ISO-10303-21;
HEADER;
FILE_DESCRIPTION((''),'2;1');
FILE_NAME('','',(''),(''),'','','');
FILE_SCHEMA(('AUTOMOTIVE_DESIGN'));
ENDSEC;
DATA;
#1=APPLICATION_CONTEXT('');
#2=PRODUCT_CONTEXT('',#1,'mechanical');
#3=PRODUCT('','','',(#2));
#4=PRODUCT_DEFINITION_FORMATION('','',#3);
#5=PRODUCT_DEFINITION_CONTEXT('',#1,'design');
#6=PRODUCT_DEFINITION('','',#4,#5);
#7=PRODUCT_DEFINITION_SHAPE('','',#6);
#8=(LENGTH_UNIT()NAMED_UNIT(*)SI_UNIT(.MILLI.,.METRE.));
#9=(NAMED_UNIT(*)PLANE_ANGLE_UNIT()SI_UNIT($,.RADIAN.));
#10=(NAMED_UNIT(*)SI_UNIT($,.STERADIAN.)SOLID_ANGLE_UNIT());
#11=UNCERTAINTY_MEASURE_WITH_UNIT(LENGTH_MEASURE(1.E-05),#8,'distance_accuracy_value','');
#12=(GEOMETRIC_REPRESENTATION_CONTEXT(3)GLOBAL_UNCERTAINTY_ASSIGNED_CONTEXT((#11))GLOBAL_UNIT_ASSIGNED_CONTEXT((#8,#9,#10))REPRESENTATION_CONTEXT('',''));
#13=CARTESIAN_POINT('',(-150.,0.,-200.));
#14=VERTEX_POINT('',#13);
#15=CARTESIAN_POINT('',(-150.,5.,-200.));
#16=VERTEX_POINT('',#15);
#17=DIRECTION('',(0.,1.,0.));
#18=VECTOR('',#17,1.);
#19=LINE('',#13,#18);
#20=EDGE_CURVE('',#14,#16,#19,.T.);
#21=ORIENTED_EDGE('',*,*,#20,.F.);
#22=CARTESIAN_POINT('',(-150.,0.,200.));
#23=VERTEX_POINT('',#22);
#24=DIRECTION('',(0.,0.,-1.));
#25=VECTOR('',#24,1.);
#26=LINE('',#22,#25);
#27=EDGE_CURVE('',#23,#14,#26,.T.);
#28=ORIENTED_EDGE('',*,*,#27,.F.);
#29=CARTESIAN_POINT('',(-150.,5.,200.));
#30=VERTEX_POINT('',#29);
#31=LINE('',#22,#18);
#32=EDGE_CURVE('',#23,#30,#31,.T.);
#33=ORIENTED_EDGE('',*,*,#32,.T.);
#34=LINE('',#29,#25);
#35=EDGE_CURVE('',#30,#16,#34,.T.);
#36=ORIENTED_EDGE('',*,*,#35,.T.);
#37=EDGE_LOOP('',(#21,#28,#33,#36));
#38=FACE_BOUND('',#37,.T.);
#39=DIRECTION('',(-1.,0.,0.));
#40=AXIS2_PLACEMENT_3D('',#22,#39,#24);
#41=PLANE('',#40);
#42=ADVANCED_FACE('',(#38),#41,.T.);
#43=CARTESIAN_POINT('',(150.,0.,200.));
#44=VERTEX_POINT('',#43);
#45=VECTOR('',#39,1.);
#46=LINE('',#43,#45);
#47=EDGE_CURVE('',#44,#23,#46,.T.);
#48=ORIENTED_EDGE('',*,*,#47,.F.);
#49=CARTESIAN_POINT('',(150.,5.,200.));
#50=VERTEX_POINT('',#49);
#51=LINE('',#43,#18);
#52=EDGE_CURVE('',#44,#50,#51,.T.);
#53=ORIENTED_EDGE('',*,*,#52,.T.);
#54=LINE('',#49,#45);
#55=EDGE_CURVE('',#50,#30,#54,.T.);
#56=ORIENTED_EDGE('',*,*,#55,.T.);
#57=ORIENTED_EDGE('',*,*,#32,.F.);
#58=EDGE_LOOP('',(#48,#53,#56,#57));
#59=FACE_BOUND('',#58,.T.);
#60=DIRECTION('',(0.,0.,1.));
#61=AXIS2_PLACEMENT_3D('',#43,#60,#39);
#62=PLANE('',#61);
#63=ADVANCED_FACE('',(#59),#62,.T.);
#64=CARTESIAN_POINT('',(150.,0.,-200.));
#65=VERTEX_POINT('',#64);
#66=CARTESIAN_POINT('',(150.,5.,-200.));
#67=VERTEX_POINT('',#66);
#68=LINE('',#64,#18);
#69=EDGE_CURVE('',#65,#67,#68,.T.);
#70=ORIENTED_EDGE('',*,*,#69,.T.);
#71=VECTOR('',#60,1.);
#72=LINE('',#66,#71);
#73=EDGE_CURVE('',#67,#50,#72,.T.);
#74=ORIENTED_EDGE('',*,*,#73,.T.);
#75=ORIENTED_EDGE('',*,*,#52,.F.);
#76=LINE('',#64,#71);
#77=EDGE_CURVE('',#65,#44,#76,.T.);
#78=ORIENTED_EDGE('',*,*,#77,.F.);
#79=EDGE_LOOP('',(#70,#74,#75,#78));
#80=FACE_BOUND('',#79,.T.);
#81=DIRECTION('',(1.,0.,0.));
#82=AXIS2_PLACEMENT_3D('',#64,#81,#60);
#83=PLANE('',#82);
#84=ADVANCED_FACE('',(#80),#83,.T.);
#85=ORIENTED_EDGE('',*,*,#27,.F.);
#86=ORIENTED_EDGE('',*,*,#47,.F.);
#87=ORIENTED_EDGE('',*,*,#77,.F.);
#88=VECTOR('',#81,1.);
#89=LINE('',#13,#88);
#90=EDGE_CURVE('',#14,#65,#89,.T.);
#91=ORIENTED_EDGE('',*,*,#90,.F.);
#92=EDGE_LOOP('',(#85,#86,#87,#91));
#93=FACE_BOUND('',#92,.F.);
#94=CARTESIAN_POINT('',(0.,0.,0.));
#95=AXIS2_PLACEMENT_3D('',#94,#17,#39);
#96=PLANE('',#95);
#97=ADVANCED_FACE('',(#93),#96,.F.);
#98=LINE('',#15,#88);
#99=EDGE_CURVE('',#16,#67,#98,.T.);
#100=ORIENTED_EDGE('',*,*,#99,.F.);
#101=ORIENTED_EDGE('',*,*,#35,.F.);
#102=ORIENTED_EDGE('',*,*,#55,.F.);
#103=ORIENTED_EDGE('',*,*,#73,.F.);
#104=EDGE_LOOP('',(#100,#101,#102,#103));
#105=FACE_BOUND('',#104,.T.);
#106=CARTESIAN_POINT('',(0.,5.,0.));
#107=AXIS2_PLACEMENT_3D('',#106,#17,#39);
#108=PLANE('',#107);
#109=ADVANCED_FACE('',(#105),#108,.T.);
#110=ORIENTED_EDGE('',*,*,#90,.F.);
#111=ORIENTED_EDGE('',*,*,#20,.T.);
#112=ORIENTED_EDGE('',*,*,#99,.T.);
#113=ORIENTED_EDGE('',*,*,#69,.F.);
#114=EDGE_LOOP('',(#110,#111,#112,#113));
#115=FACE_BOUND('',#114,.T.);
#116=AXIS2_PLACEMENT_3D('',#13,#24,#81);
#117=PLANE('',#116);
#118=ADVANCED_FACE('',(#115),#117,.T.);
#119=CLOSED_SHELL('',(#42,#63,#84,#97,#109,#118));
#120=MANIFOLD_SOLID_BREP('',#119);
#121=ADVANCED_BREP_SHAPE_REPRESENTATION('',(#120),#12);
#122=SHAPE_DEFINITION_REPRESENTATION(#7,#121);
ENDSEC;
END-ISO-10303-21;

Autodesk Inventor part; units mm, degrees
ref_plane "YZ Plane" through (0, 0, 0) normal (1, 0, 0) x (0, 1, 0)
ref_plane "XZ Plane" through (0, 0, 0) normal (0, 1, 0) x (-1, 0, 0)
ref_plane "XY Plane" through (0, 0, 0) normal (0, 0, 1) x (1, 0, 0)
sketch "Sketch1" plane through (0, 0, 0) normal (0, 1, 0) x (-1, 0, 0)
  line L0 (-150, 200) -> (150, 200)
  line L1 (150, 200) -> (150, -200)
  line L2 (150, -200) -> (-150, -200)
  line L3 (-150, -200) -> (-150, 200)
  line L4 (-150, 200) -> (150, -200) construction
  line L5 (150, 200) -> (-150, -200) construction
  point P0 (0, 0)
  dimension "d0" = 300
  dimension "d1" = 400
extrude "Extrusion1" add sketch "Sketch1" along normal blind 5
properties part number "car_platform" material "Aluminum 6061"
